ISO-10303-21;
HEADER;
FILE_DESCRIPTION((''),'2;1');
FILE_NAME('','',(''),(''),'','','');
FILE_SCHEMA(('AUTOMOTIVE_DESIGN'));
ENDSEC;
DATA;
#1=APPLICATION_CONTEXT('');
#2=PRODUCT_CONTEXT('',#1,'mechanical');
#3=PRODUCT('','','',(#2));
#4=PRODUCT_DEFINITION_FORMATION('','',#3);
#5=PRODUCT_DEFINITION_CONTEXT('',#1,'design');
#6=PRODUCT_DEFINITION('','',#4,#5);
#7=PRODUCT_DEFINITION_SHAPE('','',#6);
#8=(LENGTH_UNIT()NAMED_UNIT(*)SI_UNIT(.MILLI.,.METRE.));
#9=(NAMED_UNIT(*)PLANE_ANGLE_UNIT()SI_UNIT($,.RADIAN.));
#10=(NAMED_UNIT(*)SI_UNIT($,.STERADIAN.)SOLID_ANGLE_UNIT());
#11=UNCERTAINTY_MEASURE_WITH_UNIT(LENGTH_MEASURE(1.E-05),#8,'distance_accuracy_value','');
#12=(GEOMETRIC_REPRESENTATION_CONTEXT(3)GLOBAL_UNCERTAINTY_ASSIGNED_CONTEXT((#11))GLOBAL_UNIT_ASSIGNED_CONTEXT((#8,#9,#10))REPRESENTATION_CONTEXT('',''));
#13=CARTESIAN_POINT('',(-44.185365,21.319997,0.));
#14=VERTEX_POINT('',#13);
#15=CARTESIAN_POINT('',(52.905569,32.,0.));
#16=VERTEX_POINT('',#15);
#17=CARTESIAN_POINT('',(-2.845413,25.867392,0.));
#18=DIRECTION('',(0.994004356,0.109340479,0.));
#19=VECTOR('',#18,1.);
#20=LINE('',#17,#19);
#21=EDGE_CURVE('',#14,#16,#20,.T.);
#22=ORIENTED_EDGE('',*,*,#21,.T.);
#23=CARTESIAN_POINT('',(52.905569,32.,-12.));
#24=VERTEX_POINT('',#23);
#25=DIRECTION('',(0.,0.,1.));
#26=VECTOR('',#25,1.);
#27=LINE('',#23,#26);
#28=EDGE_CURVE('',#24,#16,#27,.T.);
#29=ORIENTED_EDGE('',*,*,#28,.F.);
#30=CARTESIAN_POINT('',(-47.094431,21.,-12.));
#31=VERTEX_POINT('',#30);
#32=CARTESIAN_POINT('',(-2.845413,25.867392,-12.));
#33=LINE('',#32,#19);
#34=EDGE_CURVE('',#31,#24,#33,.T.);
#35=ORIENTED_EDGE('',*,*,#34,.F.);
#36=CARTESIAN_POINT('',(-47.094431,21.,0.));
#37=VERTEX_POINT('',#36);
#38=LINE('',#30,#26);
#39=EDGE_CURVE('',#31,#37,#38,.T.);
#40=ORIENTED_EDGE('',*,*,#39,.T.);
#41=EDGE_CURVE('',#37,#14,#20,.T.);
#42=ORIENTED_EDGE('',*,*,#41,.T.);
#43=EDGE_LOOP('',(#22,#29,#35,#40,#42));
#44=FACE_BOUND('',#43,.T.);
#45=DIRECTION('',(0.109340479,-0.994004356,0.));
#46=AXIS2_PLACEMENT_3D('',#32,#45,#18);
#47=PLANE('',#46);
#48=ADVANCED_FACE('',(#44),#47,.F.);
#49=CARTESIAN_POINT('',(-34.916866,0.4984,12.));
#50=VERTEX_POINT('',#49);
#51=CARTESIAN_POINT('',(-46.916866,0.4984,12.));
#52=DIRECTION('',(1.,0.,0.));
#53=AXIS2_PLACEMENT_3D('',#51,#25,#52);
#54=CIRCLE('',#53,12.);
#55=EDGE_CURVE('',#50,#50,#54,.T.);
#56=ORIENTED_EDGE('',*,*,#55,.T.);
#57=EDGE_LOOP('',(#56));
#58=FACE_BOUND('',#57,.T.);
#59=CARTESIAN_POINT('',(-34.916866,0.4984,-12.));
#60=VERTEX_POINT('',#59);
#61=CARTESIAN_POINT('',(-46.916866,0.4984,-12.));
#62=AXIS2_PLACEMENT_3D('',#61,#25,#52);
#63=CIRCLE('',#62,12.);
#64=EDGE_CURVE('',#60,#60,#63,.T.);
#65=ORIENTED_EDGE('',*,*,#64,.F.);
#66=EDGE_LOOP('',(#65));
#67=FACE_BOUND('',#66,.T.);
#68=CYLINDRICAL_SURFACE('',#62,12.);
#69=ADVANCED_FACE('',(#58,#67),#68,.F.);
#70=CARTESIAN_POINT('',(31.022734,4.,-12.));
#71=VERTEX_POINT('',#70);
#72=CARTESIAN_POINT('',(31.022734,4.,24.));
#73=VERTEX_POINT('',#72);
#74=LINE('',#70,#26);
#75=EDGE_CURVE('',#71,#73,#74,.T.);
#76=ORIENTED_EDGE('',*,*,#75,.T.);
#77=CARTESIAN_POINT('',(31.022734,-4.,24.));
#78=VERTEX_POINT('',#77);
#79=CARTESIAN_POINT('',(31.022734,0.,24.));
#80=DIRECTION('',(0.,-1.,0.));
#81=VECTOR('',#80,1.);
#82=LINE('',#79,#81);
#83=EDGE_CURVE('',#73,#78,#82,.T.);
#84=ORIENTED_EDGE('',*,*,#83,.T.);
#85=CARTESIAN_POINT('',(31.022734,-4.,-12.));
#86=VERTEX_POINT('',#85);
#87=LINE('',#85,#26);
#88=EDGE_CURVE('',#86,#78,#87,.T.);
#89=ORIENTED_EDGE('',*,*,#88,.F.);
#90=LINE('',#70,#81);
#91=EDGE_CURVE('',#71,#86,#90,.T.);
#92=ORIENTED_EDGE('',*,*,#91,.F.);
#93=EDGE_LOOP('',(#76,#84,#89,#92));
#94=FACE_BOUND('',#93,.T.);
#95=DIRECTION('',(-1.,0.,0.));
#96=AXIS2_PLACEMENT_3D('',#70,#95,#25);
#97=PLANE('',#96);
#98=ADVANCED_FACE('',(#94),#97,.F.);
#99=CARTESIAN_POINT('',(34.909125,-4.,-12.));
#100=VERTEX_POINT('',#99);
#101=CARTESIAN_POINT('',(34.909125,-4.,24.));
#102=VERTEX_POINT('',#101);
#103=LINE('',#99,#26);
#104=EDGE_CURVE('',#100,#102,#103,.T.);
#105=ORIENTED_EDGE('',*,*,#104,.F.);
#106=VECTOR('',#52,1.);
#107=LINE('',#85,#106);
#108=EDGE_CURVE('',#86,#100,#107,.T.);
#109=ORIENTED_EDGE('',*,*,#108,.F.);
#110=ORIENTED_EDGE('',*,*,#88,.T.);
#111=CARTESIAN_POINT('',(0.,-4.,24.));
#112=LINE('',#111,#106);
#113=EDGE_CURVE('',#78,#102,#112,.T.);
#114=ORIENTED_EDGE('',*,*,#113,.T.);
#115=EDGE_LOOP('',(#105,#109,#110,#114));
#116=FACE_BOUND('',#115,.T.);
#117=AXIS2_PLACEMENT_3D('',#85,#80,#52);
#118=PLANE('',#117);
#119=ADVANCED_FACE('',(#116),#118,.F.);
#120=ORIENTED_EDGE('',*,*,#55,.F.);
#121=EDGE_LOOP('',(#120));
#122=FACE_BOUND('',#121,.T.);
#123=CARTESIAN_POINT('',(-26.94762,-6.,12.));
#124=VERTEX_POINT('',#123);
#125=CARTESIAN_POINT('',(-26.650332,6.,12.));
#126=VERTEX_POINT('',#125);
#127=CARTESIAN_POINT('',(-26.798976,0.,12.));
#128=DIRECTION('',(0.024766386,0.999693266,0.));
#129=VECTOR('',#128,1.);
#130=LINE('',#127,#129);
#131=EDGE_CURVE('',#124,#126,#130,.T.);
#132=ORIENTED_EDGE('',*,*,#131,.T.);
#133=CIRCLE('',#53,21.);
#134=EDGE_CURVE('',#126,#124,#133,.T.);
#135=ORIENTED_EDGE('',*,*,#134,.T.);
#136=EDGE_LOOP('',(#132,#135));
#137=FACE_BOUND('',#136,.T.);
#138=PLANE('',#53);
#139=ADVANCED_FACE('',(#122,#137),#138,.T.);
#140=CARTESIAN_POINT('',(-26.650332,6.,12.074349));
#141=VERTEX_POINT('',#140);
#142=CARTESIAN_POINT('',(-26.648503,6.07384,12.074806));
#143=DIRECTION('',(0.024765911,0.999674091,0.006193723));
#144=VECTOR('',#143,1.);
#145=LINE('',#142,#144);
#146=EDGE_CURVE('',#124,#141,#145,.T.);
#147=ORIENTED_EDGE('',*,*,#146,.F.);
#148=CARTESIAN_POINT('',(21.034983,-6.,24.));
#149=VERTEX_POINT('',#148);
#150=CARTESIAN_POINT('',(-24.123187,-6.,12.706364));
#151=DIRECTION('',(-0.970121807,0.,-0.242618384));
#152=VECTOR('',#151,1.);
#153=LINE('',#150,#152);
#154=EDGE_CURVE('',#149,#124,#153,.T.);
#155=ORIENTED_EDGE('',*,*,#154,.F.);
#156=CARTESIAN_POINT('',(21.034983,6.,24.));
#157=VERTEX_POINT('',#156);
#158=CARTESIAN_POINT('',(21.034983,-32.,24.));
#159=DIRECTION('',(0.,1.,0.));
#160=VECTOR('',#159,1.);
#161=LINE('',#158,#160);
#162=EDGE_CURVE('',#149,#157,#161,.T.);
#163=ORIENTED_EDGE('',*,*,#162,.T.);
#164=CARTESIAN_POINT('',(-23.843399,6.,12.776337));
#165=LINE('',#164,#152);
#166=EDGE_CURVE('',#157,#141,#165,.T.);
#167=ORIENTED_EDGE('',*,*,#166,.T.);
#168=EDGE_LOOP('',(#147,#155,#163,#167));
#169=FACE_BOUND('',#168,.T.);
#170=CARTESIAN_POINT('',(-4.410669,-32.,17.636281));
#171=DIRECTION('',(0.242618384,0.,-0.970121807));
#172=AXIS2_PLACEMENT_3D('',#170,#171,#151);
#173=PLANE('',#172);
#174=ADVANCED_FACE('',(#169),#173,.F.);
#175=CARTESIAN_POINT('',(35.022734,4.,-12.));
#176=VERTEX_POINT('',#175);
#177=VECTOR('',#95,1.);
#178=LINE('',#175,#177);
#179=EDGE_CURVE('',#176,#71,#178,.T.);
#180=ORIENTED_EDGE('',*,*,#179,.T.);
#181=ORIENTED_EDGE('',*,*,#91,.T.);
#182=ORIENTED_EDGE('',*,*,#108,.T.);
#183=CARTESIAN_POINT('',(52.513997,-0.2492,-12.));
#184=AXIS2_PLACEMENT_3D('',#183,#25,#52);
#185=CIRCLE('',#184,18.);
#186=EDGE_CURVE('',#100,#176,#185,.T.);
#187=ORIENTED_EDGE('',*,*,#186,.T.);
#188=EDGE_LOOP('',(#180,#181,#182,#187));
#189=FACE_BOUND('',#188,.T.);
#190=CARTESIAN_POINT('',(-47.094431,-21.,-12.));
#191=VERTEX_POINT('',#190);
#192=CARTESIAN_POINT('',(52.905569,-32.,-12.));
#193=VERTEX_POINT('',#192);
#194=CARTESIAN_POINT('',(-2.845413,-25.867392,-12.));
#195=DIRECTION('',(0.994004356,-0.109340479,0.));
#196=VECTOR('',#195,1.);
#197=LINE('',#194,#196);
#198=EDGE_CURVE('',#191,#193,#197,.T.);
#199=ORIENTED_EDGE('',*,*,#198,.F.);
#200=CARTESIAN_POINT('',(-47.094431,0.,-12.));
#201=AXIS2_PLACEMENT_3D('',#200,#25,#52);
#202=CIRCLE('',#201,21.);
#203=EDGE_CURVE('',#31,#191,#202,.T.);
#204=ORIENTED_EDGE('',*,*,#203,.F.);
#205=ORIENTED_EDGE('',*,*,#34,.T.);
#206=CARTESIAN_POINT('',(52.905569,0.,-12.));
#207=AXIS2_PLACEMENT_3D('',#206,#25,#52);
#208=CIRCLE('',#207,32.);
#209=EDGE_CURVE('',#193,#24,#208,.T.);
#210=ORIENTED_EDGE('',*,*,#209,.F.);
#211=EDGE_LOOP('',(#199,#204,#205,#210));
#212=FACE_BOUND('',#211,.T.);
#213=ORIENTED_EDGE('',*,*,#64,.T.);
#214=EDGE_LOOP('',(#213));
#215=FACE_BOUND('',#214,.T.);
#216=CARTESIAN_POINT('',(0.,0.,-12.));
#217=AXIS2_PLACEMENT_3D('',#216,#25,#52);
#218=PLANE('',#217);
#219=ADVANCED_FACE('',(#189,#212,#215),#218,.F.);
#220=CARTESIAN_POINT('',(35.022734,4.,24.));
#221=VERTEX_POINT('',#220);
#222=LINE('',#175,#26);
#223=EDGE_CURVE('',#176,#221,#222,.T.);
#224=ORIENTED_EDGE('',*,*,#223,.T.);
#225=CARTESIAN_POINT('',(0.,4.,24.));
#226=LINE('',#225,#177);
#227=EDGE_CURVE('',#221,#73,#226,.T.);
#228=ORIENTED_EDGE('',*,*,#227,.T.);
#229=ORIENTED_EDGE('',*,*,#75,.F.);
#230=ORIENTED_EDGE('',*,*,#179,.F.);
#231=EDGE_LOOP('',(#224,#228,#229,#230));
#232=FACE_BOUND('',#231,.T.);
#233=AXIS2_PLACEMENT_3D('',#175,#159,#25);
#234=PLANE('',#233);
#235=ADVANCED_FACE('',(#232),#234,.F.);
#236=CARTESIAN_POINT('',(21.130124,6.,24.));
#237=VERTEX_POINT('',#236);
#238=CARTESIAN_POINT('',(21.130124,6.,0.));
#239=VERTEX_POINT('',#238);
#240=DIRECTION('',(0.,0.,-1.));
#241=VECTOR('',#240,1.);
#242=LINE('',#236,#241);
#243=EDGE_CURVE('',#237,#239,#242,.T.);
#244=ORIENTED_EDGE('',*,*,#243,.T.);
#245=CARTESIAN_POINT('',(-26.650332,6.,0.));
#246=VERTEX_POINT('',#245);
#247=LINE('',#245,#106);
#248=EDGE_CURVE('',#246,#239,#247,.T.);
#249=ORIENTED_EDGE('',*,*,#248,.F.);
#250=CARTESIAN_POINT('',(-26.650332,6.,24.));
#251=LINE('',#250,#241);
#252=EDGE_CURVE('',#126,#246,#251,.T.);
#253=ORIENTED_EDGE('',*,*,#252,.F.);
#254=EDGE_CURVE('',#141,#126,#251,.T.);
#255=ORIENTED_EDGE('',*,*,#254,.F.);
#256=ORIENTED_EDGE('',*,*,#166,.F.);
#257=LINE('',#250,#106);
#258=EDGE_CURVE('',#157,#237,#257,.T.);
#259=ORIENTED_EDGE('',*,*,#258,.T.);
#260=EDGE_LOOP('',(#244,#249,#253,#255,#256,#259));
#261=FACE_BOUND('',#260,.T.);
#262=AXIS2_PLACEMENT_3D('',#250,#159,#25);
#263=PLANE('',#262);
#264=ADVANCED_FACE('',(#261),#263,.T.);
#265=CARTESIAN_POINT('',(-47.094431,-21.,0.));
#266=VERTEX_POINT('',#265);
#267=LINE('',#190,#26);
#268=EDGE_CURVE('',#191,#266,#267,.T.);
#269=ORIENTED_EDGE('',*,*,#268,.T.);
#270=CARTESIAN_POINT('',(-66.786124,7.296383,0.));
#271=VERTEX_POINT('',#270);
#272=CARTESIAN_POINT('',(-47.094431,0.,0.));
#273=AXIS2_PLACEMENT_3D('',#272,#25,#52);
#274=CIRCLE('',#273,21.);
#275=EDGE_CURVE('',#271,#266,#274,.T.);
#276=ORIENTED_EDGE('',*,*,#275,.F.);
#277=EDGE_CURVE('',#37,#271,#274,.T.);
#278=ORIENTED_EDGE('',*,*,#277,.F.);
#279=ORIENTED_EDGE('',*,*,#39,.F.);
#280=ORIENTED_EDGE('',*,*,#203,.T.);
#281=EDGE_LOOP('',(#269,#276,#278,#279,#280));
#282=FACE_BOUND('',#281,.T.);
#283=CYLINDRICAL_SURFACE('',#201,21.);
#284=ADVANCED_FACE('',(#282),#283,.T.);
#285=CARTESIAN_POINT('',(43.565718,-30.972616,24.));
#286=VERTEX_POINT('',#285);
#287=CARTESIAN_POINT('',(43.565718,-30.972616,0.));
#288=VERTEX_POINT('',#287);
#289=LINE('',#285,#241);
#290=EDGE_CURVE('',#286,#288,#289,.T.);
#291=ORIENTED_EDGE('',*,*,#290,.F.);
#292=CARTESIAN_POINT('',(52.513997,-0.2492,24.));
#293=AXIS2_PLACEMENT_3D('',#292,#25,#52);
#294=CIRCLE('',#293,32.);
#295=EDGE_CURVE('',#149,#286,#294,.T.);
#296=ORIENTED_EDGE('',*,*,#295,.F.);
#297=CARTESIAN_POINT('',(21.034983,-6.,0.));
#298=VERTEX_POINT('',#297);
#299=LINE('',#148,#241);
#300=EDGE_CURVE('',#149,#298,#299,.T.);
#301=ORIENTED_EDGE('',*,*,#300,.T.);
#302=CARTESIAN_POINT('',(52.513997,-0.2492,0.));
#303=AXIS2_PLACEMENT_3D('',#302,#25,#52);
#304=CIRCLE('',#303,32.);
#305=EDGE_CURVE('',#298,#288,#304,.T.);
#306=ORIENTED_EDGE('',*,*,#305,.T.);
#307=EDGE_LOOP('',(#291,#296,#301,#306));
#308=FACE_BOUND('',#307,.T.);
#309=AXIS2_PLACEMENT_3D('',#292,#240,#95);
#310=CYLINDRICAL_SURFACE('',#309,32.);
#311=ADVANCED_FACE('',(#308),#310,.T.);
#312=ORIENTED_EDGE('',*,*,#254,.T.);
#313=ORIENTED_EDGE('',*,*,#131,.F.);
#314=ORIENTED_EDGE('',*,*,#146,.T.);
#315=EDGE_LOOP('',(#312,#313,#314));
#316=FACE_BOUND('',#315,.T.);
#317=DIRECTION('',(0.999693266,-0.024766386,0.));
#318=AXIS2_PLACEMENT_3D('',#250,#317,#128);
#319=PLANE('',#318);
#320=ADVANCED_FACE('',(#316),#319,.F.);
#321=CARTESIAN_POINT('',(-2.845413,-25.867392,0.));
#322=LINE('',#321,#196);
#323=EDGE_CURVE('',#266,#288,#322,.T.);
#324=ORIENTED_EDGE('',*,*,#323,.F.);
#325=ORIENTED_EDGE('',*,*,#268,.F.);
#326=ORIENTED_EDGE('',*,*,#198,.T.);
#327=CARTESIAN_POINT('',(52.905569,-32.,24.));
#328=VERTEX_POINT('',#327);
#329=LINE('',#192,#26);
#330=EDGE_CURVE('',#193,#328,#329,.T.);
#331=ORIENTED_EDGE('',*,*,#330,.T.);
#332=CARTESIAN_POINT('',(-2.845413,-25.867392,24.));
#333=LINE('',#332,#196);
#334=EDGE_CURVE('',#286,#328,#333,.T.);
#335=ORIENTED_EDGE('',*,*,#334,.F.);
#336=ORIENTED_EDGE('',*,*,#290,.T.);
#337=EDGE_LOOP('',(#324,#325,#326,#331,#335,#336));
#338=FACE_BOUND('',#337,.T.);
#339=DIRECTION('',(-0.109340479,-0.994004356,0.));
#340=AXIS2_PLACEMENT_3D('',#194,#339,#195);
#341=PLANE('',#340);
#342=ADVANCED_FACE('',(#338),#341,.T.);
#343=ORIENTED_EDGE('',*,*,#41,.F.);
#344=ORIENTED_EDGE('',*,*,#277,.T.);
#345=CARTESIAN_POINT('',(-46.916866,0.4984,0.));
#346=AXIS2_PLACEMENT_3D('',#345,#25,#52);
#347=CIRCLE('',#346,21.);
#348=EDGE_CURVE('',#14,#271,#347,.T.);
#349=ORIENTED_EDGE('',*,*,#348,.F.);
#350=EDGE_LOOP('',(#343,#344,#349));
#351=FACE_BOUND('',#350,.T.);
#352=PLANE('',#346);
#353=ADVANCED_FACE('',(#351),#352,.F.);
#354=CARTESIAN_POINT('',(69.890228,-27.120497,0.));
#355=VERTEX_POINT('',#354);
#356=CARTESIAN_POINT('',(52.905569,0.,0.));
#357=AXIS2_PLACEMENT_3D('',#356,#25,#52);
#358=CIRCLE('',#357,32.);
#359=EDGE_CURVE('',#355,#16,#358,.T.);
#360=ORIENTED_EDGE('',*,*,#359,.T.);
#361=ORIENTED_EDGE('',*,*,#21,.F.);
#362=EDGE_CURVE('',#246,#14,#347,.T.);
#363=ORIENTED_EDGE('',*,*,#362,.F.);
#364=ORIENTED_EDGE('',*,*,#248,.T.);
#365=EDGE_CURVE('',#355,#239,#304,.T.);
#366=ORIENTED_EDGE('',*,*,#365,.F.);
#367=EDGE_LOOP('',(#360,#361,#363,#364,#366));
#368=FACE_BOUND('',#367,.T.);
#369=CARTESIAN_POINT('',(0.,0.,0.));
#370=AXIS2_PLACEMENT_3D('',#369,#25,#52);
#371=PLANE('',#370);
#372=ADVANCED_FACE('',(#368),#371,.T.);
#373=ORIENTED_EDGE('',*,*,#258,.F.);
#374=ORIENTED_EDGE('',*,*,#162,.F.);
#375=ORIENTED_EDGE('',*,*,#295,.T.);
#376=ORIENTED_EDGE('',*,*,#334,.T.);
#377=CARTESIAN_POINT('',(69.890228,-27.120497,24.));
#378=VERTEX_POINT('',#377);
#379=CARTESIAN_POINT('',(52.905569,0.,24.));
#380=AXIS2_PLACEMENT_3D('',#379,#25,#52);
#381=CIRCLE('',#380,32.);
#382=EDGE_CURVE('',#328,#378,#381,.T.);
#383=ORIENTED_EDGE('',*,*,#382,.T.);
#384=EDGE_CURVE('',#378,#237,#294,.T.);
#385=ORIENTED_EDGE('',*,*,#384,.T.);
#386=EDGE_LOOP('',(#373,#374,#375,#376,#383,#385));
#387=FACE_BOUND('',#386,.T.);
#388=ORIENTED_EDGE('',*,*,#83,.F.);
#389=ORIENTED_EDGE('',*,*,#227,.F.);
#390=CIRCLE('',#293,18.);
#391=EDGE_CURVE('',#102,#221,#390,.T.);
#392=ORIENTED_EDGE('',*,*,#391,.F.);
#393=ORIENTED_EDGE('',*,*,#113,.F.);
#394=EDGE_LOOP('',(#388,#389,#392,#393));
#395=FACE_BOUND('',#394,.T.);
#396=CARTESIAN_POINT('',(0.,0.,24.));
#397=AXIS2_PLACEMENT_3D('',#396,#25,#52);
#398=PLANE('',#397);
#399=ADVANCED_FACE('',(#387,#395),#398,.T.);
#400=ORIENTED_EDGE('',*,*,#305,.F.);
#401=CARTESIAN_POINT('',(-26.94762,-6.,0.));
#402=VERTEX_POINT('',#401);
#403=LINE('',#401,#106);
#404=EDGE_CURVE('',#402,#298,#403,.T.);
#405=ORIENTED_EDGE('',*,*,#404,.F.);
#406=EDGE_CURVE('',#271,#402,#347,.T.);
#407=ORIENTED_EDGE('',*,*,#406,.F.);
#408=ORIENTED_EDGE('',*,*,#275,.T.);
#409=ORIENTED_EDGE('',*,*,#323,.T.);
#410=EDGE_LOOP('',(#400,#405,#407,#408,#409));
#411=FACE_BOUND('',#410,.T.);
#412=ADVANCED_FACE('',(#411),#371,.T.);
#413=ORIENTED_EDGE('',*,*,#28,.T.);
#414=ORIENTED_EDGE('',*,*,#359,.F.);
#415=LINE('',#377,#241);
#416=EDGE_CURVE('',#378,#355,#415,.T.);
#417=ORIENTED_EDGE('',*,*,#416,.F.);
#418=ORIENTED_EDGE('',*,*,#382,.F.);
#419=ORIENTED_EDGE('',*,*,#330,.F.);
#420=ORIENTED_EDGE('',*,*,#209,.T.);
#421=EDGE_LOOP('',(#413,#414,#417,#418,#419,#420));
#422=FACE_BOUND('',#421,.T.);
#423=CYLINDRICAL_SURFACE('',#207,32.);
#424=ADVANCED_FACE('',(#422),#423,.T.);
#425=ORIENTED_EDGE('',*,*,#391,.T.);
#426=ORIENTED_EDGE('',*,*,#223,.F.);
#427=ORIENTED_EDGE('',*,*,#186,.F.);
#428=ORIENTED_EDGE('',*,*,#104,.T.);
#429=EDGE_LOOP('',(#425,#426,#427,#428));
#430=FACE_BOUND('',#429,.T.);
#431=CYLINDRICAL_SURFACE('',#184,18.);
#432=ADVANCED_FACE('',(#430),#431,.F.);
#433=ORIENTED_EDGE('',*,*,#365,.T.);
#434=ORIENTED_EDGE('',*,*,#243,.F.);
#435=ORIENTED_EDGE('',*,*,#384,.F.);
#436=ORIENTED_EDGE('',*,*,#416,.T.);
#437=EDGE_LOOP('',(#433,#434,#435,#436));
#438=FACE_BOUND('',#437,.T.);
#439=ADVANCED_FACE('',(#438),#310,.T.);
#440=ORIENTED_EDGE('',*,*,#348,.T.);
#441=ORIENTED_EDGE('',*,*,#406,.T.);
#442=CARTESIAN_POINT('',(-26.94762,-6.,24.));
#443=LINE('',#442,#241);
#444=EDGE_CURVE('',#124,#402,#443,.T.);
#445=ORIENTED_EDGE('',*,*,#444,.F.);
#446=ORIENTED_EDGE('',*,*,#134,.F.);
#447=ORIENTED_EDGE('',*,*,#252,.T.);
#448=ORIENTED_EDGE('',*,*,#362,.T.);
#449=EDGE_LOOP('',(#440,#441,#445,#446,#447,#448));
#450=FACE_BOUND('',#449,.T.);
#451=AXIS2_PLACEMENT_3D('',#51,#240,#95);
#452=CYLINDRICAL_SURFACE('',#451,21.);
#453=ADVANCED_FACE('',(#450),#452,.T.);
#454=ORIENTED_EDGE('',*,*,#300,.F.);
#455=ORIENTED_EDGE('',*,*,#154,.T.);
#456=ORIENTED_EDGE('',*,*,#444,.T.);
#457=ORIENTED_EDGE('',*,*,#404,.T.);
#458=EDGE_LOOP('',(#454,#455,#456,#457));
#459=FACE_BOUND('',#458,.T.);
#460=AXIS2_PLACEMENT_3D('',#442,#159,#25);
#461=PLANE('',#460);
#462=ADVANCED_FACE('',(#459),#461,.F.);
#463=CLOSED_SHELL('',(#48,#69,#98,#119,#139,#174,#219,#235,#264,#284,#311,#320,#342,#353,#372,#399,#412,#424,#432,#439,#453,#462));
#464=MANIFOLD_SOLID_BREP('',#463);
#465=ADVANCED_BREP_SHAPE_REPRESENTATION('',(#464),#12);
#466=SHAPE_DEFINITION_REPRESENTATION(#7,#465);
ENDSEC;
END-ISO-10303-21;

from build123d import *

# Parameters (mm, degrees)
BOSS_EXTRUDE1_DEPTH     = 12
SKETCH7_R               = 21
BOSS_EXTRUDE3_DEPTH     = 12
BOSS_EXTRUDE4_START     = 24
BOSS_EXTRUDE4_DEPTH     = 24
SKETCH9_R               = 12
SKETCH9_R_2             = 18
CUT_EXTRUDE1_DEPTH      = 94.856036825
CUT_EXTRUDE2_DEPTH      = 94.856036825
CUT_EXTRUDE2_DEPTH_BACK = 94.856036825
SKETCH9_3_R             = 12
SKETCH9_3_R_2           = 18
CUT_EXTRUDE3_DEPTH      = 98.616369777
CUT_EXTRUDE3_DEPTH_BACK = 98.616369777
BOSS_EXTRUDE5_DEPTH     = 24
CUT_EXTRUDE4_DEPTH      = 97.067453638
CUT_EXTRUDE4_DEPTH_BACK = 24


with BuildPart() as part:
    # Sketch4 → Boss-Extrude1 (new body)
    with BuildSketch(Plane.XY):
        with BuildLine():
            ThreePointArc((-47.094430993, 21), (-68.094430993, 0), (-47.094430993, -21))
            Line((-47.094430993, -21), (52.905569007, -32))
            ThreePointArc((52.905569007, -32), (84.905569007, 0), (52.905569007, 32))
            Line((52.905569007, 32), (-47.094430993, 21))
        make_face()
    extrude(amount=-BOSS_EXTRUDE1_DEPTH)

    # Sketch7 → Boss-Extrude3 (add)
    with BuildSketch(Plane.XY):
        with Locations((-46.916866089, 0.498400316)):
            Circle(SKETCH7_R)
    extrude(amount=BOSS_EXTRUDE3_DEPTH)

    # Sketch7<4> → Boss-Extrude4 (add)
    with BuildSketch(Plane.XY.offset(BOSS_EXTRUDE4_START)):
        with BuildLine():
            ThreePointArc((69.890228484, -27.120496722), (80.621286149, -15.545614643), (84.513996989, -0.249200158))
            ThreePointArc((84.513996989, -0.249200158), (33.309113789, 25.347136714), (43.56571816, -30.972616407))
            Line((43.56571816, -30.972616407), (52.905569007, -32))
            ThreePointArc((52.905569007, -32), (61.741408099, -30.755941663), (69.890228484, -27.120496722))
        make_face()
    extrude(amount=-BOSS_EXTRUDE4_DEPTH)

    # Sketch9 → Cut-Extrude1 (cut, through all)
    with BuildSketch(Plane.XY):
        with Locations((-46.916866089, 0.498400316)):
            Circle(SKETCH9_R)
        with Locations((52.513996989, -0.249200158)):
            Circle(SKETCH9_R_2)
    extrude(amount=-CUT_EXTRUDE1_DEPTH, mode=Mode.SUBTRACT)

    # Sketch9<3> → Cut-Extrude2 (cut, two sides: drawn at the far end of the back side and taken through both)
    with BuildSketch(Plane.XY.offset(-CUT_EXTRUDE2_DEPTH_BACK)):
        with Locations((-46.916866089, 0.498400316)):
            Circle(SKETCH9_3_R)
        with Locations((52.513996989, -0.249200158)):
            Circle(SKETCH9_3_R_2)
    extrude(amount=CUT_EXTRUDE2_DEPTH + CUT_EXTRUDE2_DEPTH_BACK, mode=Mode.SUBTRACT)

    # Sketch10 → Cut-Extrude3 (cut, two sides: drawn at the far end of the back side and taken through both)
    with BuildSketch(Plane.XY.offset(24).offset(-CUT_EXTRUDE3_DEPTH_BACK)):
        Polygon((35.022733512, 4), (31.022733512, 4), (31.022733512, -4), (34.909125489, -4), align=None)
    extrude(amount=CUT_EXTRUDE3_DEPTH + CUT_EXTRUDE3_DEPTH_BACK, mode=Mode.SUBTRACT)

    # Sketch11 → Boss-Extrude5 (add)
    with BuildSketch(Plane.XY):
        Polygon((-26.650332075, 6), (21.130123784, 6), (21.034983326, -6), (-26.9476199, -6), align=None)
    extrude(amount=BOSS_EXTRUDE5_DEPTH)

    # Sketch12 → Cut-Extrude4 (cut, two sides: drawn at the far end of the back side and taken through both)
    with BuildSketch(Plane.XZ.offset(6).offset(-CUT_EXTRUDE4_DEPTH_BACK)):
        Polygon((-26.9476199, 12), (21.034983326, 24), (-26.9476199, 24), align=None)
    extrude(amount=CUT_EXTRUDE4_DEPTH + CUT_EXTRUDE4_DEPTH_BACK, mode=Mode.SUBTRACT)


solid = part.part
